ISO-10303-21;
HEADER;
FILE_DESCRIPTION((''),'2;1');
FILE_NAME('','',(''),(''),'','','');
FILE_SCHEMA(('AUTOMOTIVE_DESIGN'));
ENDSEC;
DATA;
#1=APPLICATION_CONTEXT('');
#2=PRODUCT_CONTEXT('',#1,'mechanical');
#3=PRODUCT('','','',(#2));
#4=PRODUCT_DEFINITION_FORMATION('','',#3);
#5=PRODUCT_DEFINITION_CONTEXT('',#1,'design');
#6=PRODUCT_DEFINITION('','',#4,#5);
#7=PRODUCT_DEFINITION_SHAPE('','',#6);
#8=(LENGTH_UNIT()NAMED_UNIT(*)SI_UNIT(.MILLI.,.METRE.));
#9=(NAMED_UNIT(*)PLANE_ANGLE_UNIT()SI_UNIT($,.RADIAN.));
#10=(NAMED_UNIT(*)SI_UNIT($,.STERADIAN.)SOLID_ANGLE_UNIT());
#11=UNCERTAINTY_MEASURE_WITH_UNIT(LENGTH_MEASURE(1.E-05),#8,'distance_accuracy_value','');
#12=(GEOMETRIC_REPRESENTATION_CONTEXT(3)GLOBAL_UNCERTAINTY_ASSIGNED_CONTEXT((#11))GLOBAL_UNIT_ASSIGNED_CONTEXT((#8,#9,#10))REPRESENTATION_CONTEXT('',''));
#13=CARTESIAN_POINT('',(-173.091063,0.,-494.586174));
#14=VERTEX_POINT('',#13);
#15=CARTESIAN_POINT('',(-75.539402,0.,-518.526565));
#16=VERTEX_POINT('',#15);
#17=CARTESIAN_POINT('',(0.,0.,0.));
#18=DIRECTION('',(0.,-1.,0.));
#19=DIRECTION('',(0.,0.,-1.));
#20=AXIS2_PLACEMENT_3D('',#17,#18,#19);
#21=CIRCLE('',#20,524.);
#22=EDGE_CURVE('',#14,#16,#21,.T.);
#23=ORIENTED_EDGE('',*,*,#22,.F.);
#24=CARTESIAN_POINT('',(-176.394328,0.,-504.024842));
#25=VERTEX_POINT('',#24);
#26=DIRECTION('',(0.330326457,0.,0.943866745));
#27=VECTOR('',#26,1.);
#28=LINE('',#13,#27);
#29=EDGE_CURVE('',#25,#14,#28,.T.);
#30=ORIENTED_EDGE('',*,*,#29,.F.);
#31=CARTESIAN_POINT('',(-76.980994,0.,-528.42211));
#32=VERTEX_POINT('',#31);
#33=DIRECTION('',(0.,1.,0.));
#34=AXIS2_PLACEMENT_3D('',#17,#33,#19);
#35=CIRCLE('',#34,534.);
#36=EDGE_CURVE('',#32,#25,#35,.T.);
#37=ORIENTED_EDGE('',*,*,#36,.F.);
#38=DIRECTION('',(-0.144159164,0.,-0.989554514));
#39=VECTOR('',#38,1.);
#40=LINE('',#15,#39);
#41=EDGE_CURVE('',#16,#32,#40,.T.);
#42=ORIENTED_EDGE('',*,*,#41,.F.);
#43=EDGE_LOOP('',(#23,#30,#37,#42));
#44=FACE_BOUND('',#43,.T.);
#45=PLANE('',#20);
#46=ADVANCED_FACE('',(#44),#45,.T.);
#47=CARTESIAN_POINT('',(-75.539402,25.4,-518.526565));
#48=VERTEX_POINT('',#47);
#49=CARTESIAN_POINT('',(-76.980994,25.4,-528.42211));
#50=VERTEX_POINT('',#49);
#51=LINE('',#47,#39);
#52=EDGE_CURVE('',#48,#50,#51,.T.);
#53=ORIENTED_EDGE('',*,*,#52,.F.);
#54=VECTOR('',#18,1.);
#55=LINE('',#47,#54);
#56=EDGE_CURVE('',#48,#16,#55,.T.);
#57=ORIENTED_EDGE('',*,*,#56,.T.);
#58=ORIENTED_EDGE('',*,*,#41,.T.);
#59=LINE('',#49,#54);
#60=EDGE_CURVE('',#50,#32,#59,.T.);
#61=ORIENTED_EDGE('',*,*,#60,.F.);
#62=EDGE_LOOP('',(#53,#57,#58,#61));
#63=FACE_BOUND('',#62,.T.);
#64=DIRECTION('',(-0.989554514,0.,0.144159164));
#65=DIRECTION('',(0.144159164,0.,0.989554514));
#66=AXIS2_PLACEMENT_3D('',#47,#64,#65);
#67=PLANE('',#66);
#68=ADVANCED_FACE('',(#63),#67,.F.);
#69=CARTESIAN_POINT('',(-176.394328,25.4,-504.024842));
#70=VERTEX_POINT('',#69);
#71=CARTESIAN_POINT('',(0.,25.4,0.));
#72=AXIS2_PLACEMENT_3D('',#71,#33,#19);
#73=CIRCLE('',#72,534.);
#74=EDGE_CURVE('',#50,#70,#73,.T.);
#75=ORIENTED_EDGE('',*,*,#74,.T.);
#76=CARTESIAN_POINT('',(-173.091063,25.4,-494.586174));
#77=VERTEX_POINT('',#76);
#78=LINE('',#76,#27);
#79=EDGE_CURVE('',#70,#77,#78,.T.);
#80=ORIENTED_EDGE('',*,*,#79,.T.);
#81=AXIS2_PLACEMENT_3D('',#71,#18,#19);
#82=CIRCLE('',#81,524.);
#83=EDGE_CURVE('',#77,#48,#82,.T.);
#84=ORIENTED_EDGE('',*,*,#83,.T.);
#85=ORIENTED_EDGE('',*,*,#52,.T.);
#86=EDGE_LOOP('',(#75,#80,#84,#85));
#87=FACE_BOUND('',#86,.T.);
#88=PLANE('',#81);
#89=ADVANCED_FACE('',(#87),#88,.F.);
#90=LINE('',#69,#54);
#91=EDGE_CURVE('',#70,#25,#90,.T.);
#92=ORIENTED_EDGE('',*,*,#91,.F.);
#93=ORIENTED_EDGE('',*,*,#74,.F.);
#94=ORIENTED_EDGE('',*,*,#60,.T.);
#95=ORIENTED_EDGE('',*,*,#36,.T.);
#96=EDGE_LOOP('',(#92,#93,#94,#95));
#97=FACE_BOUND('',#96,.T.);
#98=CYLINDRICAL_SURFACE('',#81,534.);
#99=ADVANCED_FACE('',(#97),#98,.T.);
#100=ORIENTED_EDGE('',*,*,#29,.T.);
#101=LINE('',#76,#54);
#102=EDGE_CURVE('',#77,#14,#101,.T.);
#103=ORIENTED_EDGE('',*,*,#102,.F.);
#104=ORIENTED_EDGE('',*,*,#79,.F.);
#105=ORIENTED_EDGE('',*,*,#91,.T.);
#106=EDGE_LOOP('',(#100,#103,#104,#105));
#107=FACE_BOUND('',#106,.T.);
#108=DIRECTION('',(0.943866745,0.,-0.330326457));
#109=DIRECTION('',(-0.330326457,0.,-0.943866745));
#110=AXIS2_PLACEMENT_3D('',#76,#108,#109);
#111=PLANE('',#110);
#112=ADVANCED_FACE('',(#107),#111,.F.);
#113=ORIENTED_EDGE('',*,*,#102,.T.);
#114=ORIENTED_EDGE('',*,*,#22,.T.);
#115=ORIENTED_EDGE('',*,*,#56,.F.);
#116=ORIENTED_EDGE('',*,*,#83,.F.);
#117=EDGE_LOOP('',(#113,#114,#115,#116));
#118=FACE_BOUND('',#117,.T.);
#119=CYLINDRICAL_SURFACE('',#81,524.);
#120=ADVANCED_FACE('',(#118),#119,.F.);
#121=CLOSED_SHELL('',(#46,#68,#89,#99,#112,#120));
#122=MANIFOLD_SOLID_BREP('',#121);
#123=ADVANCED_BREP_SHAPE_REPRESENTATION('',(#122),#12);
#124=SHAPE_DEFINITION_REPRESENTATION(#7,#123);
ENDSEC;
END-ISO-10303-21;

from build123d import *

# Parameters (mm, degrees)
BOSS_EXTRUDE1_DEPTH = 25.4


with BuildPart() as part:
    # Sketch1 → Boss-Extrude1 (new body)
    with BuildSketch(Plane(origin=(0, 0, 0), x_dir=(1, 0, 0), z_dir=(0, 1, 0))):
        with BuildLine():
            Line((-173.091063389, 494.586174266), (-176.394327958, 504.024841713))
            ThreePointArc((-176.394327958, 504.024841713), (-127.27360322, 518.611058428), (-76.980993637, 528.422110267))
            Line((-76.980993637, 528.422110267), (-75.539401996, 518.526565131))
            ThreePointArc((-75.539401996, 518.526565131), (-124.890202411, 508.899240854), (-173.091063389, 494.586174266))
        make_face()
    extrude(amount=BOSS_EXTRUDE1_DEPTH)


solid = part.part
